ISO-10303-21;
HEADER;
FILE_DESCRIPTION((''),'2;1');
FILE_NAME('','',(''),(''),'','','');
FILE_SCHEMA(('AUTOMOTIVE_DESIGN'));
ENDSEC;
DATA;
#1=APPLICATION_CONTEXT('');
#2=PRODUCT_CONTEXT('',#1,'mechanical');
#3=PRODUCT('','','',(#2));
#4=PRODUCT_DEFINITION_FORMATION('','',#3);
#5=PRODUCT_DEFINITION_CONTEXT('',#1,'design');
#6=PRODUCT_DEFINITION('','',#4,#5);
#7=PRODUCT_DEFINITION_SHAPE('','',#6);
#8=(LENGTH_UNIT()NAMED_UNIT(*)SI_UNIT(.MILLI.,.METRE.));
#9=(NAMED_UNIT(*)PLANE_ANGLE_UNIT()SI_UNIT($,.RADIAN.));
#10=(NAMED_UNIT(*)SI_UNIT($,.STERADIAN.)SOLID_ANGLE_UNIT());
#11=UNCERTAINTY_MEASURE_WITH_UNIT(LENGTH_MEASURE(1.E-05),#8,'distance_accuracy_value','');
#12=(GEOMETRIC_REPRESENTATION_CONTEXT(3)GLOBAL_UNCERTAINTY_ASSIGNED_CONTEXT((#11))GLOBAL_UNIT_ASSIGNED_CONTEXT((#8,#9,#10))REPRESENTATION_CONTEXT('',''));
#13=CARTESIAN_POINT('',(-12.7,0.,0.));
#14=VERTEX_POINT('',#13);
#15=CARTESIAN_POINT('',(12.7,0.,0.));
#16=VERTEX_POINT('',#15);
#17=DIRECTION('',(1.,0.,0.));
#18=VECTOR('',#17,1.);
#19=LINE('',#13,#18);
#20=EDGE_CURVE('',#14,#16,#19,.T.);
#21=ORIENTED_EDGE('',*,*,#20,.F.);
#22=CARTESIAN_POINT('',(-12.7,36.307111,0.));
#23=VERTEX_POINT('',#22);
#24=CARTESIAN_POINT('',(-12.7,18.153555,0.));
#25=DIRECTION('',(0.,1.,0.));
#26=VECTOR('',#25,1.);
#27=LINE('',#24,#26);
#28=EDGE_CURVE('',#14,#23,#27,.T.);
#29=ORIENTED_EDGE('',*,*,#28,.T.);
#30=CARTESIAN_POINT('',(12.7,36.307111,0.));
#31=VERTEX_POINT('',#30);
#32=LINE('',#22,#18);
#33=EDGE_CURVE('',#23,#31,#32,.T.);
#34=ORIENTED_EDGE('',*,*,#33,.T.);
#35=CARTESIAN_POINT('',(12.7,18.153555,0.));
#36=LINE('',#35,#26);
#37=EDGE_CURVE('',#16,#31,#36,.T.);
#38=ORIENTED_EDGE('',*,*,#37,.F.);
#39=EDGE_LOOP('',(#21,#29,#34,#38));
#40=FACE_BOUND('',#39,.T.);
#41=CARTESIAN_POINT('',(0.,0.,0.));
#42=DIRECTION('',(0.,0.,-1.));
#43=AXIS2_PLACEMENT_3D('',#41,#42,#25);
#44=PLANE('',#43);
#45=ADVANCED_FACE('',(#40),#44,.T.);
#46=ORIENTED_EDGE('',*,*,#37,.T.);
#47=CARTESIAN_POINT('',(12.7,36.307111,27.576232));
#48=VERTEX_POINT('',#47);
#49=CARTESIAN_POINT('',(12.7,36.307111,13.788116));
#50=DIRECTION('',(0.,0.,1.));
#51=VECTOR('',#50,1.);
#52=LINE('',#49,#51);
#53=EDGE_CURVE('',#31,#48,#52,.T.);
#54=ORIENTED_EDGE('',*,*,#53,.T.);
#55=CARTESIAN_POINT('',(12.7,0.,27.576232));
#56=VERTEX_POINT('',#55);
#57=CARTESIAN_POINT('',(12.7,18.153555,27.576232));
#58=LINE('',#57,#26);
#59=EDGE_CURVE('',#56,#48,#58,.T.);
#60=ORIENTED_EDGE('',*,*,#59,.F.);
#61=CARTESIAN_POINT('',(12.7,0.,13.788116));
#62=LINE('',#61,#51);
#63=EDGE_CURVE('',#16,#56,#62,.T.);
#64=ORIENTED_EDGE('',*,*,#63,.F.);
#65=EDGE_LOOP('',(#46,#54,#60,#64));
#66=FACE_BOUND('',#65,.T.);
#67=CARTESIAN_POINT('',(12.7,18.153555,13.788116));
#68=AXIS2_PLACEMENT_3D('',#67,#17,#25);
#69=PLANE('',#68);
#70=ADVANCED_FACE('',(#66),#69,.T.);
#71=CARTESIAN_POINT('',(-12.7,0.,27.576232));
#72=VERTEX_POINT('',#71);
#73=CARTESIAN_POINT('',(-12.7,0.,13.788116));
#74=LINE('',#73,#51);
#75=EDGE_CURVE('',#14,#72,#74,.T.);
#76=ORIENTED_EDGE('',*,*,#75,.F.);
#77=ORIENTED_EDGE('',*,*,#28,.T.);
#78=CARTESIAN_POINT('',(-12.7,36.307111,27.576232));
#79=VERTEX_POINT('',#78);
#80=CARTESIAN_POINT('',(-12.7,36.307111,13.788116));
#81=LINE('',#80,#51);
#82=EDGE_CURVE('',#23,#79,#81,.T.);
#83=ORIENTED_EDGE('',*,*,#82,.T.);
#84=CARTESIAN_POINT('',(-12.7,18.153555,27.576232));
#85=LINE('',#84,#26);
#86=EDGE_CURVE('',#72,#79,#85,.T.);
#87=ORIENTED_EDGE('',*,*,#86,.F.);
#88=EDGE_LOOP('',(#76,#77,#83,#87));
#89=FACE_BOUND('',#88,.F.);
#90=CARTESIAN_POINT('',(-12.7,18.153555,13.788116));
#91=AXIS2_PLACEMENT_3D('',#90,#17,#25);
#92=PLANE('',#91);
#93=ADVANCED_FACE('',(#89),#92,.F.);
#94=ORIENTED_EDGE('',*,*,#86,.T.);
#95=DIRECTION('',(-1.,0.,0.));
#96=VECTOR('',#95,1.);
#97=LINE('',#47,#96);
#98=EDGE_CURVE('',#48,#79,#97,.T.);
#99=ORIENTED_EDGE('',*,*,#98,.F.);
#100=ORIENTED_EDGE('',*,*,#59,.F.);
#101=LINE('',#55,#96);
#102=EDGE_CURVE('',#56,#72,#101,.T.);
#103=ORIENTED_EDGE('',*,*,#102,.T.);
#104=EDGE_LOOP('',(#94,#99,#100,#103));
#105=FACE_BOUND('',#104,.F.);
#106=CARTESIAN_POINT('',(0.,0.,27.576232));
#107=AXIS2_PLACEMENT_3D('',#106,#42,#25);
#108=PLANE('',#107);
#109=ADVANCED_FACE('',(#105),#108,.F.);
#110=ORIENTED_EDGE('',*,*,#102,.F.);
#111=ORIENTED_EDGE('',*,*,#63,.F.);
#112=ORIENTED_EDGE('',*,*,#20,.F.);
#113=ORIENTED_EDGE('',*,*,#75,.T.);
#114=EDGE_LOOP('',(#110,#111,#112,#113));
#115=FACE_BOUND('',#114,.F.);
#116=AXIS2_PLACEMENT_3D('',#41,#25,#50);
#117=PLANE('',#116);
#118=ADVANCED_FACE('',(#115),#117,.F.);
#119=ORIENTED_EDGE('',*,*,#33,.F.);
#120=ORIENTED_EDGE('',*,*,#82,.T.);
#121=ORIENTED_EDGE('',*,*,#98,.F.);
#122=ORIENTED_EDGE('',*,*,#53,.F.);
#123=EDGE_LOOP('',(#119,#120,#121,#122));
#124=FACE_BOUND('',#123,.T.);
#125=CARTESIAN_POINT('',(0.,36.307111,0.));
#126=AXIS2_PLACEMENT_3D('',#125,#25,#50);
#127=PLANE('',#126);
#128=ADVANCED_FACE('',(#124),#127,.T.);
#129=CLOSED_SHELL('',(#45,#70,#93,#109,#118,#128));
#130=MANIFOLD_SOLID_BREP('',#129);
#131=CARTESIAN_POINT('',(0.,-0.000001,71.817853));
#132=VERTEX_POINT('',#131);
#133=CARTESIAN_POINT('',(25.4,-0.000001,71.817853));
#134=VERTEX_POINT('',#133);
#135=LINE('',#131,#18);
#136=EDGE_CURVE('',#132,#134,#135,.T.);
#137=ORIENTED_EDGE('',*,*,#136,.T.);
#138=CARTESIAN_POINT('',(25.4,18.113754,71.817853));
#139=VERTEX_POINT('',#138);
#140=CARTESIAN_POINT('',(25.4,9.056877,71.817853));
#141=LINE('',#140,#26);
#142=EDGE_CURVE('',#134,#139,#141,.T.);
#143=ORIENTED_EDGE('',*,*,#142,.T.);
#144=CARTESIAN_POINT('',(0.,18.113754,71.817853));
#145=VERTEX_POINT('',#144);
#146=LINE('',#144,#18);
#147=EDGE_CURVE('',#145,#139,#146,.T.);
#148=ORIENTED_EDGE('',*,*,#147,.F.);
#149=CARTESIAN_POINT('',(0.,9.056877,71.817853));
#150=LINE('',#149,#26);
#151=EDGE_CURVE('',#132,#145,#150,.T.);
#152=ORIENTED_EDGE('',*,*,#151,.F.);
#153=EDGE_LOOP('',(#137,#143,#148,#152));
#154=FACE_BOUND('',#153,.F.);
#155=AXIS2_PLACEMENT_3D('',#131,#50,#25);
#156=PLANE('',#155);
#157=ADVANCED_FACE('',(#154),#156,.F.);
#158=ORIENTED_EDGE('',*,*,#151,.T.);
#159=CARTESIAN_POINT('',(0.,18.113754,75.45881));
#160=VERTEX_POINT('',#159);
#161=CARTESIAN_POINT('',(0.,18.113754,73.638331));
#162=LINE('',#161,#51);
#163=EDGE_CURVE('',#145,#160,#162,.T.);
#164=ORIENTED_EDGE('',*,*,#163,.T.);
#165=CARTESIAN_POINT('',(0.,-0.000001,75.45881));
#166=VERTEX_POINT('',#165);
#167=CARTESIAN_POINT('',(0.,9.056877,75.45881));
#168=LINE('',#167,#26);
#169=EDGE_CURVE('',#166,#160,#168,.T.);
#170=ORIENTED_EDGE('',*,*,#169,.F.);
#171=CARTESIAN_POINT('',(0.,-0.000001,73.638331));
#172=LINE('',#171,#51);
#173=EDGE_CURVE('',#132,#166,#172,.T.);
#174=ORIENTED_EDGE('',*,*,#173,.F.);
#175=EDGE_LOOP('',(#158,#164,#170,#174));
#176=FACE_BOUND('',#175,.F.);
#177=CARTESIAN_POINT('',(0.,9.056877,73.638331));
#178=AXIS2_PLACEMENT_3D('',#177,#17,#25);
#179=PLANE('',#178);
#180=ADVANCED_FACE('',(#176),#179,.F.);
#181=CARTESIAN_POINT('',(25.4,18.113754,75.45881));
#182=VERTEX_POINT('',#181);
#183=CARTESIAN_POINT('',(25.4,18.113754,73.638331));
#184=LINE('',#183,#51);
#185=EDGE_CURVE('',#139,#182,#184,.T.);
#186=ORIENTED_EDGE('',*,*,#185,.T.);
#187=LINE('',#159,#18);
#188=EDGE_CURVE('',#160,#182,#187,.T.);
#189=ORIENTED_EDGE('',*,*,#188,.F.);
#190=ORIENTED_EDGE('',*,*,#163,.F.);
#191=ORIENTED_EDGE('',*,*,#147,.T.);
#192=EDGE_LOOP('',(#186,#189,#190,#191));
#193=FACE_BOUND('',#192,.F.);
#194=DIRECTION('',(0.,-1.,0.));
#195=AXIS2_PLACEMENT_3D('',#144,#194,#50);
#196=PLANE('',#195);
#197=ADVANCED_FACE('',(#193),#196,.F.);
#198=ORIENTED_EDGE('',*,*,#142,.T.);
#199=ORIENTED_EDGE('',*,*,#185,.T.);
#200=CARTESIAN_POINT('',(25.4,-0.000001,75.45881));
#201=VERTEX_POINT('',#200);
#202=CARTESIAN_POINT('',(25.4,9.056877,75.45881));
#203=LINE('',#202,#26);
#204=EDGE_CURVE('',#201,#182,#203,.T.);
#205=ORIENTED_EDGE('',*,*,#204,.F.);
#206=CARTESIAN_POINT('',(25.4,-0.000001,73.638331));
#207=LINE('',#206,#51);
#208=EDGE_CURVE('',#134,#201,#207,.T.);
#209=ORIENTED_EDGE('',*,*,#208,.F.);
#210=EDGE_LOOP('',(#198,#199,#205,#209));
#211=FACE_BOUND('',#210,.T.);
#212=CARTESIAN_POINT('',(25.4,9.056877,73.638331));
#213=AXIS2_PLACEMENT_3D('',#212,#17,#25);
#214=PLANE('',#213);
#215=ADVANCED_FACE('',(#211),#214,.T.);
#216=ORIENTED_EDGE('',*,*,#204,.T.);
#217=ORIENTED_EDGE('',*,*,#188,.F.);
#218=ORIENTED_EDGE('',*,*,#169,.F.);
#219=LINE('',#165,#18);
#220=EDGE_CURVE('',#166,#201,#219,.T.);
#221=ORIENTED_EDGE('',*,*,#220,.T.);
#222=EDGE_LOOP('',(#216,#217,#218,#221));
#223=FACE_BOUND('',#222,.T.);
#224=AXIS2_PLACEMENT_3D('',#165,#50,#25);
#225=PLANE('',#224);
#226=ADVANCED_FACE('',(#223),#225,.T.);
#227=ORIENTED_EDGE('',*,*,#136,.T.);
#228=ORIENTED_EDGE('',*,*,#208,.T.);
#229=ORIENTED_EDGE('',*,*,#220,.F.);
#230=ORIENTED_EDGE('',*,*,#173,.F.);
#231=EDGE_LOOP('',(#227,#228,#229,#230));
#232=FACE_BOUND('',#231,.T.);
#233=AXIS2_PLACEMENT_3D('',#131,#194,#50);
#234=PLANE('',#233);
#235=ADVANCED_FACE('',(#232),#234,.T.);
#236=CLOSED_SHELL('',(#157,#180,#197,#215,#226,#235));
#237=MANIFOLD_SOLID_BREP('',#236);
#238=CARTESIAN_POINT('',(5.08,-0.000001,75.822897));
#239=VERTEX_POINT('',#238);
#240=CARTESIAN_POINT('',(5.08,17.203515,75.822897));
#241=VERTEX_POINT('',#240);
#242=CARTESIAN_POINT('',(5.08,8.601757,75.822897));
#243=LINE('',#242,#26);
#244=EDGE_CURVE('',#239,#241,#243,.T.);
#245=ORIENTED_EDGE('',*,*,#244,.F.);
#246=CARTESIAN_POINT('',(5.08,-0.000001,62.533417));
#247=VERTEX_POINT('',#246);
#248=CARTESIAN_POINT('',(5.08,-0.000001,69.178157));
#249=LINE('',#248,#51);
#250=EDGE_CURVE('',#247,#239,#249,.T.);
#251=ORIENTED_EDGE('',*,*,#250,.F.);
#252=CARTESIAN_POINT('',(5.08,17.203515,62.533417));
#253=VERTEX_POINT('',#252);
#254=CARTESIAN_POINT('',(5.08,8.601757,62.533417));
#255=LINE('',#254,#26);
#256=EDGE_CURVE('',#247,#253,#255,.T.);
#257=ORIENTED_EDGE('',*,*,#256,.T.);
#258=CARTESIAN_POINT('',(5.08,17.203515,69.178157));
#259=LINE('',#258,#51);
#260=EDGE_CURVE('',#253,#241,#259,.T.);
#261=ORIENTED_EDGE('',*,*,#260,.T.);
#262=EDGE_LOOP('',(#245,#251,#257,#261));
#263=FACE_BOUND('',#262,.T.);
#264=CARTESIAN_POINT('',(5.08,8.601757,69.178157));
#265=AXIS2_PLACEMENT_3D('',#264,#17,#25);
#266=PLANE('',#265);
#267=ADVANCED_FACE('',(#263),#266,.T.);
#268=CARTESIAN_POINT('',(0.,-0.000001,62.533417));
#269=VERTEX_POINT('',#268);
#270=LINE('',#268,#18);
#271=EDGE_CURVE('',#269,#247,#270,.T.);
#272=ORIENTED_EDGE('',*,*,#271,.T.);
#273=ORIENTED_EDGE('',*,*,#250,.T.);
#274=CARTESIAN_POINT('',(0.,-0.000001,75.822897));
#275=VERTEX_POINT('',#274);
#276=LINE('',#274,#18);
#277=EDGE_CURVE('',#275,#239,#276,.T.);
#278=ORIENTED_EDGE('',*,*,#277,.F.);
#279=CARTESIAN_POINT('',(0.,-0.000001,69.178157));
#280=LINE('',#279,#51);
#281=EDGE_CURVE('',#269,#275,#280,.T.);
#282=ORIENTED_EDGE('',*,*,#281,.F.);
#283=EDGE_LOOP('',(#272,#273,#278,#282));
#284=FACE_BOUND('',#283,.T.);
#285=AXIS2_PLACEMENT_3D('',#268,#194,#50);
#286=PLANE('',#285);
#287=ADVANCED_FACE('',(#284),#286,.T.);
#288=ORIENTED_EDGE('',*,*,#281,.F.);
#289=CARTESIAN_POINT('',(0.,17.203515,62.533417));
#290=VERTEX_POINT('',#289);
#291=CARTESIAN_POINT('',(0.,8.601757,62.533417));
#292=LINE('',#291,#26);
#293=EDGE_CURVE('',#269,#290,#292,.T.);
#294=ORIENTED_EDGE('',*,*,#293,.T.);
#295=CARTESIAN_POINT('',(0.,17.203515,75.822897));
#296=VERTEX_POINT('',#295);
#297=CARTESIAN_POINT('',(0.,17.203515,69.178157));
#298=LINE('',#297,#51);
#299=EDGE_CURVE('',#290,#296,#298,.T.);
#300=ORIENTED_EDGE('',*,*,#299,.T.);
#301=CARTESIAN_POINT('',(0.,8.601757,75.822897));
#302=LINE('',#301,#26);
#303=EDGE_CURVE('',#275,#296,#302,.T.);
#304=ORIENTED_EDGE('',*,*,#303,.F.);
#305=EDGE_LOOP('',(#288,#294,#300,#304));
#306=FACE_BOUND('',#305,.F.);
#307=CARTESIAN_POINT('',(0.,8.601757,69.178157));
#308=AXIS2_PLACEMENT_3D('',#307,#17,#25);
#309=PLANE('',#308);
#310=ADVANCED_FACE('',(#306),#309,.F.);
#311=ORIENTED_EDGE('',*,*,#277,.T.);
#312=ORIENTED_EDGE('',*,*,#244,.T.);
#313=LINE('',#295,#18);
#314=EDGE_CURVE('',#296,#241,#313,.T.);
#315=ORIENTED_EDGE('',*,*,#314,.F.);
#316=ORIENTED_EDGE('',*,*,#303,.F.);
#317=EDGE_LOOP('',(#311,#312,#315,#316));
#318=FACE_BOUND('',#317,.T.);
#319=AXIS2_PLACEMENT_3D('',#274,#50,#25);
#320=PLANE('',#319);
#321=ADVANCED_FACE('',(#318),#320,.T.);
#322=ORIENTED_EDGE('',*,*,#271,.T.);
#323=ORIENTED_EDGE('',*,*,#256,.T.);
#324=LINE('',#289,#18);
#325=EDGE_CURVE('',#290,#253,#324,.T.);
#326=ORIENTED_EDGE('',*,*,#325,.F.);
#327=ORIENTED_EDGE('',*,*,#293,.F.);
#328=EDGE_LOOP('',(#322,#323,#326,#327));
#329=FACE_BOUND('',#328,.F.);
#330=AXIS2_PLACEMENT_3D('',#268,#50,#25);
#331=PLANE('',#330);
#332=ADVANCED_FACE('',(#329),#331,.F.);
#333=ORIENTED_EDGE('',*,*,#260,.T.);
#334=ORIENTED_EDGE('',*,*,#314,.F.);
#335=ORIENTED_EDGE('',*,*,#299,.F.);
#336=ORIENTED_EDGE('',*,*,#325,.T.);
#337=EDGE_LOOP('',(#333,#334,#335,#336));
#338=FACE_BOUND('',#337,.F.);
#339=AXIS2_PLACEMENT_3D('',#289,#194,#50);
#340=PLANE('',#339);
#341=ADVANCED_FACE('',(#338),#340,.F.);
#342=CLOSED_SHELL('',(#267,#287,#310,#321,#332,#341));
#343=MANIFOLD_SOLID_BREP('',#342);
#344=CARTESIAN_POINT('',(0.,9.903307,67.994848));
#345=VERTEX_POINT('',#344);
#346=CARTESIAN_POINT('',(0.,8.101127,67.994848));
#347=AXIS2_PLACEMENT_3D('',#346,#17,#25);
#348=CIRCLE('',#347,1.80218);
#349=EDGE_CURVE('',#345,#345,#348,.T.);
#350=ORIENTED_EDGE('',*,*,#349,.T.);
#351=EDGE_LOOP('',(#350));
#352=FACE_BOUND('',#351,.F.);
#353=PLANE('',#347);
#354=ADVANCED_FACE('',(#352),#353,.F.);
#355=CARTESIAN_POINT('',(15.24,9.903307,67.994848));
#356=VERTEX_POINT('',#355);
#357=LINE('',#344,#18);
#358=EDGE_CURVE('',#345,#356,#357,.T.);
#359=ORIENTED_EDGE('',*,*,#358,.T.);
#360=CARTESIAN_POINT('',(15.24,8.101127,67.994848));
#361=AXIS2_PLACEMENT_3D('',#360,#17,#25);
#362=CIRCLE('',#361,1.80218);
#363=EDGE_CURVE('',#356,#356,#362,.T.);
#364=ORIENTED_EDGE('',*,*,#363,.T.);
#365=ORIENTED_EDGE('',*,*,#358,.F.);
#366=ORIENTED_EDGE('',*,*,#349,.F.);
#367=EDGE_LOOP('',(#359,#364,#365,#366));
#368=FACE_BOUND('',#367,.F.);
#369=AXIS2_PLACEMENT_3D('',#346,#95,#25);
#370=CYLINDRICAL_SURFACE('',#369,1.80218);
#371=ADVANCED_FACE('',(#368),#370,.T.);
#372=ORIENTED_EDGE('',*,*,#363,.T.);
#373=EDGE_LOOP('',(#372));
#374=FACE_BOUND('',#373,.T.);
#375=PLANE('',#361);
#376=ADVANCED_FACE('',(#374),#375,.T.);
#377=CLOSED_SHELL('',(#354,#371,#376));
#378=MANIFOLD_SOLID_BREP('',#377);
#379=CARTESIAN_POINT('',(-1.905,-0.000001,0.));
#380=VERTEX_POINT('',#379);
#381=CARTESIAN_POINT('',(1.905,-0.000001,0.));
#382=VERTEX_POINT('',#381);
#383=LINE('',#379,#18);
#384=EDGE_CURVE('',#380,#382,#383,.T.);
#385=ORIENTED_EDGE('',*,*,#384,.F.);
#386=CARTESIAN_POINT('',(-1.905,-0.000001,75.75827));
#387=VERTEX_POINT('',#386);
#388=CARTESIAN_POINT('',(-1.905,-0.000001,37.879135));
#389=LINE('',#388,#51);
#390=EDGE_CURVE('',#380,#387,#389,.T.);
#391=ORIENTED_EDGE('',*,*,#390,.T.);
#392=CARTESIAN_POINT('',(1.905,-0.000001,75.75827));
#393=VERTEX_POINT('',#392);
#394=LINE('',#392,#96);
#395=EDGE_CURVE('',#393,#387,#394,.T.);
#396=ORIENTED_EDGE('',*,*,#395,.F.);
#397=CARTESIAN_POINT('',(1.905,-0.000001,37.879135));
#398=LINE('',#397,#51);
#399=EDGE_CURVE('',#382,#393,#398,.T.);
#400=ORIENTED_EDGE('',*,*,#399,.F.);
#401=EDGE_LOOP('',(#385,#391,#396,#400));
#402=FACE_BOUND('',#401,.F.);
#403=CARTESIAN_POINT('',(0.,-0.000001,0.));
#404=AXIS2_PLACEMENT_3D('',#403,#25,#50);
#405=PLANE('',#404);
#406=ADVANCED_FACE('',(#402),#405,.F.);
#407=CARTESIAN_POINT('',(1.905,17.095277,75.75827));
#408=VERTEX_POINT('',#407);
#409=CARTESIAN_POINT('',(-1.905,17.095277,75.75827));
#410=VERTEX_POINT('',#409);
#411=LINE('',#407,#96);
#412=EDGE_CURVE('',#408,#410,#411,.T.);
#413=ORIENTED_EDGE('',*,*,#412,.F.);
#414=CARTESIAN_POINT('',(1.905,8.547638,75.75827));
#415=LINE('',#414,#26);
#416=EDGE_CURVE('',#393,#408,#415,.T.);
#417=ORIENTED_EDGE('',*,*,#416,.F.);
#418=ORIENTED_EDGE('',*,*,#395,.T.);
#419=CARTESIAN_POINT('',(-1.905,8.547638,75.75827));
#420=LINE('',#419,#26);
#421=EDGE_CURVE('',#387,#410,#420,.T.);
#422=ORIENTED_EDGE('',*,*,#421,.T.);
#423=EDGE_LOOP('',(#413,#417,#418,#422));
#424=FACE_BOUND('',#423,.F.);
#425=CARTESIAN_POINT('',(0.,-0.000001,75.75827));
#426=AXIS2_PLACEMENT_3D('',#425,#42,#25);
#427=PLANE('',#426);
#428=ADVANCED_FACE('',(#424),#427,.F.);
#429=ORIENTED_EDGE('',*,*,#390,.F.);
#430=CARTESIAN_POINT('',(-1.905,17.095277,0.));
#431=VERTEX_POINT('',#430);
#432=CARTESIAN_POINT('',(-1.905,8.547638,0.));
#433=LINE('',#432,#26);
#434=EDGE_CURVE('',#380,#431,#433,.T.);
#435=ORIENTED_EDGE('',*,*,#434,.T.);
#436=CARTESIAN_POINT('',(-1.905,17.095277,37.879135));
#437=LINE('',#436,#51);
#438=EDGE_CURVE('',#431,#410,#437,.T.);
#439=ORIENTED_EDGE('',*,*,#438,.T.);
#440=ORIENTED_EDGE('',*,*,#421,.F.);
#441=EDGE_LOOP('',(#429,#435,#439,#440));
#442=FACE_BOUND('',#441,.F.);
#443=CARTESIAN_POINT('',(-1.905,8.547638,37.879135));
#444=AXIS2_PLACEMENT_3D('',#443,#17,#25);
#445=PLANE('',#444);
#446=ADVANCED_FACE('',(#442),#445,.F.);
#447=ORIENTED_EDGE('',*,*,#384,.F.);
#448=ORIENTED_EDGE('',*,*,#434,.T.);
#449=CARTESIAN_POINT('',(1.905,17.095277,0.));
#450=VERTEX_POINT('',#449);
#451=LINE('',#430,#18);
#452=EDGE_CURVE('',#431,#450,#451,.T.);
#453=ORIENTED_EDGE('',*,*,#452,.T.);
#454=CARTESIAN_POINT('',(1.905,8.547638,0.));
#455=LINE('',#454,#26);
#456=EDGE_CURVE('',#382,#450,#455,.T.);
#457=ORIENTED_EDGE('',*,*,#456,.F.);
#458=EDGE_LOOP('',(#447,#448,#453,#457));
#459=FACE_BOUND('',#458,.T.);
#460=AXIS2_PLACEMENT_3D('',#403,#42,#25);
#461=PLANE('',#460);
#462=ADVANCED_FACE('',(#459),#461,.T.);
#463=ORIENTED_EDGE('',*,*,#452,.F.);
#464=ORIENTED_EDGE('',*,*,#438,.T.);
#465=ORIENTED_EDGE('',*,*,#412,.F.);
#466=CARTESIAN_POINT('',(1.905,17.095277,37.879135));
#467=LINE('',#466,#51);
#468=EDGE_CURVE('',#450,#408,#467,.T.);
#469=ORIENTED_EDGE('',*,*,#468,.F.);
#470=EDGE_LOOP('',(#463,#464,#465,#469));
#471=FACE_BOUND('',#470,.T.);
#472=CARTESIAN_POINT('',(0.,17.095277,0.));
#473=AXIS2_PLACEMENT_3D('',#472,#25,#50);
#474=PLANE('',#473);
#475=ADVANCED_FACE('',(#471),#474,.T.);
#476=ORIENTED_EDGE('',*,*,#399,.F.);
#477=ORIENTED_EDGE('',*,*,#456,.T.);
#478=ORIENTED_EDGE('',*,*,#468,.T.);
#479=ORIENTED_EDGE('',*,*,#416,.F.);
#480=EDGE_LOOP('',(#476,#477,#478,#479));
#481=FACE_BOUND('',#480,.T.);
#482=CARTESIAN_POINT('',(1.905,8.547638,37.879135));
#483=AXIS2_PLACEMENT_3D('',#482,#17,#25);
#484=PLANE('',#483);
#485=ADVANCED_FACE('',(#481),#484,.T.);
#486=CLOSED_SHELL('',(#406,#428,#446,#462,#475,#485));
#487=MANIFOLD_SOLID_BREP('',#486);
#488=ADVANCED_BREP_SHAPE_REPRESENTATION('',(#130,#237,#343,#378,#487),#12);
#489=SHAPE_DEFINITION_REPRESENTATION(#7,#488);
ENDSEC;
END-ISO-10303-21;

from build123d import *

# Parameters (mm, degrees)
F0_W     = 36.307111
F0_H     = 27.576232
F5_DEPTH = 12.7
F3_W     = 17.203515
F3_H     = 13.289481
F6_DEPTH = 5.08
F1_W     = 17.095277
F1_H     = 75.758271
F7_DEPTH = 1.905
F4_R     = 1.80218
F8_DEPTH = 15.24
F2_W     = 18.113755
F2_H     = 3.640957
F9_DEPTH = 25.4


with BuildPart() as f5:
    # F0 (on Right) → F5 (new body, symmetric)
    with BuildSketch(Plane.YZ):
        with Locations((18.153555, 13.788116)):
            Rectangle(F0_W, F0_H)
    extrude(amount=F5_DEPTH, both=True)


with BuildPart() as f6:
    # F3 (on Right) → F6 (new body)
    with BuildSketch(Plane.YZ):
        with Locations((8.601757, 69.178157)):
            Rectangle(F3_W, F3_H)
    extrude(amount=F6_DEPTH)


with BuildPart() as f7:
    # F1 (on Right) → F7 (new body, symmetric)
    with BuildSketch(Plane.YZ):
        with Locations((8.547638, 37.879135)):
            Rectangle(F1_W, F1_H)
    extrude(amount=F7_DEPTH, both=True)


with BuildPart() as f8:
    # F4 (on Right) → F8 (new body)
    with BuildSketch(Plane.YZ):
        with Locations((8.101127, 67.994848)):
            Circle(F4_R)
    extrude(amount=F8_DEPTH)


with BuildPart() as f9:
    # F2 (on Right) → F9 (new body)
    with BuildSketch(Plane.YZ):
        with Locations((9.056877, 73.638331)):
            Rectangle(F2_W, F2_H)
    extrude(amount=F9_DEPTH)


solid = Compound([f5.part, f6.part, f7.part, f8.part, f9.part])
